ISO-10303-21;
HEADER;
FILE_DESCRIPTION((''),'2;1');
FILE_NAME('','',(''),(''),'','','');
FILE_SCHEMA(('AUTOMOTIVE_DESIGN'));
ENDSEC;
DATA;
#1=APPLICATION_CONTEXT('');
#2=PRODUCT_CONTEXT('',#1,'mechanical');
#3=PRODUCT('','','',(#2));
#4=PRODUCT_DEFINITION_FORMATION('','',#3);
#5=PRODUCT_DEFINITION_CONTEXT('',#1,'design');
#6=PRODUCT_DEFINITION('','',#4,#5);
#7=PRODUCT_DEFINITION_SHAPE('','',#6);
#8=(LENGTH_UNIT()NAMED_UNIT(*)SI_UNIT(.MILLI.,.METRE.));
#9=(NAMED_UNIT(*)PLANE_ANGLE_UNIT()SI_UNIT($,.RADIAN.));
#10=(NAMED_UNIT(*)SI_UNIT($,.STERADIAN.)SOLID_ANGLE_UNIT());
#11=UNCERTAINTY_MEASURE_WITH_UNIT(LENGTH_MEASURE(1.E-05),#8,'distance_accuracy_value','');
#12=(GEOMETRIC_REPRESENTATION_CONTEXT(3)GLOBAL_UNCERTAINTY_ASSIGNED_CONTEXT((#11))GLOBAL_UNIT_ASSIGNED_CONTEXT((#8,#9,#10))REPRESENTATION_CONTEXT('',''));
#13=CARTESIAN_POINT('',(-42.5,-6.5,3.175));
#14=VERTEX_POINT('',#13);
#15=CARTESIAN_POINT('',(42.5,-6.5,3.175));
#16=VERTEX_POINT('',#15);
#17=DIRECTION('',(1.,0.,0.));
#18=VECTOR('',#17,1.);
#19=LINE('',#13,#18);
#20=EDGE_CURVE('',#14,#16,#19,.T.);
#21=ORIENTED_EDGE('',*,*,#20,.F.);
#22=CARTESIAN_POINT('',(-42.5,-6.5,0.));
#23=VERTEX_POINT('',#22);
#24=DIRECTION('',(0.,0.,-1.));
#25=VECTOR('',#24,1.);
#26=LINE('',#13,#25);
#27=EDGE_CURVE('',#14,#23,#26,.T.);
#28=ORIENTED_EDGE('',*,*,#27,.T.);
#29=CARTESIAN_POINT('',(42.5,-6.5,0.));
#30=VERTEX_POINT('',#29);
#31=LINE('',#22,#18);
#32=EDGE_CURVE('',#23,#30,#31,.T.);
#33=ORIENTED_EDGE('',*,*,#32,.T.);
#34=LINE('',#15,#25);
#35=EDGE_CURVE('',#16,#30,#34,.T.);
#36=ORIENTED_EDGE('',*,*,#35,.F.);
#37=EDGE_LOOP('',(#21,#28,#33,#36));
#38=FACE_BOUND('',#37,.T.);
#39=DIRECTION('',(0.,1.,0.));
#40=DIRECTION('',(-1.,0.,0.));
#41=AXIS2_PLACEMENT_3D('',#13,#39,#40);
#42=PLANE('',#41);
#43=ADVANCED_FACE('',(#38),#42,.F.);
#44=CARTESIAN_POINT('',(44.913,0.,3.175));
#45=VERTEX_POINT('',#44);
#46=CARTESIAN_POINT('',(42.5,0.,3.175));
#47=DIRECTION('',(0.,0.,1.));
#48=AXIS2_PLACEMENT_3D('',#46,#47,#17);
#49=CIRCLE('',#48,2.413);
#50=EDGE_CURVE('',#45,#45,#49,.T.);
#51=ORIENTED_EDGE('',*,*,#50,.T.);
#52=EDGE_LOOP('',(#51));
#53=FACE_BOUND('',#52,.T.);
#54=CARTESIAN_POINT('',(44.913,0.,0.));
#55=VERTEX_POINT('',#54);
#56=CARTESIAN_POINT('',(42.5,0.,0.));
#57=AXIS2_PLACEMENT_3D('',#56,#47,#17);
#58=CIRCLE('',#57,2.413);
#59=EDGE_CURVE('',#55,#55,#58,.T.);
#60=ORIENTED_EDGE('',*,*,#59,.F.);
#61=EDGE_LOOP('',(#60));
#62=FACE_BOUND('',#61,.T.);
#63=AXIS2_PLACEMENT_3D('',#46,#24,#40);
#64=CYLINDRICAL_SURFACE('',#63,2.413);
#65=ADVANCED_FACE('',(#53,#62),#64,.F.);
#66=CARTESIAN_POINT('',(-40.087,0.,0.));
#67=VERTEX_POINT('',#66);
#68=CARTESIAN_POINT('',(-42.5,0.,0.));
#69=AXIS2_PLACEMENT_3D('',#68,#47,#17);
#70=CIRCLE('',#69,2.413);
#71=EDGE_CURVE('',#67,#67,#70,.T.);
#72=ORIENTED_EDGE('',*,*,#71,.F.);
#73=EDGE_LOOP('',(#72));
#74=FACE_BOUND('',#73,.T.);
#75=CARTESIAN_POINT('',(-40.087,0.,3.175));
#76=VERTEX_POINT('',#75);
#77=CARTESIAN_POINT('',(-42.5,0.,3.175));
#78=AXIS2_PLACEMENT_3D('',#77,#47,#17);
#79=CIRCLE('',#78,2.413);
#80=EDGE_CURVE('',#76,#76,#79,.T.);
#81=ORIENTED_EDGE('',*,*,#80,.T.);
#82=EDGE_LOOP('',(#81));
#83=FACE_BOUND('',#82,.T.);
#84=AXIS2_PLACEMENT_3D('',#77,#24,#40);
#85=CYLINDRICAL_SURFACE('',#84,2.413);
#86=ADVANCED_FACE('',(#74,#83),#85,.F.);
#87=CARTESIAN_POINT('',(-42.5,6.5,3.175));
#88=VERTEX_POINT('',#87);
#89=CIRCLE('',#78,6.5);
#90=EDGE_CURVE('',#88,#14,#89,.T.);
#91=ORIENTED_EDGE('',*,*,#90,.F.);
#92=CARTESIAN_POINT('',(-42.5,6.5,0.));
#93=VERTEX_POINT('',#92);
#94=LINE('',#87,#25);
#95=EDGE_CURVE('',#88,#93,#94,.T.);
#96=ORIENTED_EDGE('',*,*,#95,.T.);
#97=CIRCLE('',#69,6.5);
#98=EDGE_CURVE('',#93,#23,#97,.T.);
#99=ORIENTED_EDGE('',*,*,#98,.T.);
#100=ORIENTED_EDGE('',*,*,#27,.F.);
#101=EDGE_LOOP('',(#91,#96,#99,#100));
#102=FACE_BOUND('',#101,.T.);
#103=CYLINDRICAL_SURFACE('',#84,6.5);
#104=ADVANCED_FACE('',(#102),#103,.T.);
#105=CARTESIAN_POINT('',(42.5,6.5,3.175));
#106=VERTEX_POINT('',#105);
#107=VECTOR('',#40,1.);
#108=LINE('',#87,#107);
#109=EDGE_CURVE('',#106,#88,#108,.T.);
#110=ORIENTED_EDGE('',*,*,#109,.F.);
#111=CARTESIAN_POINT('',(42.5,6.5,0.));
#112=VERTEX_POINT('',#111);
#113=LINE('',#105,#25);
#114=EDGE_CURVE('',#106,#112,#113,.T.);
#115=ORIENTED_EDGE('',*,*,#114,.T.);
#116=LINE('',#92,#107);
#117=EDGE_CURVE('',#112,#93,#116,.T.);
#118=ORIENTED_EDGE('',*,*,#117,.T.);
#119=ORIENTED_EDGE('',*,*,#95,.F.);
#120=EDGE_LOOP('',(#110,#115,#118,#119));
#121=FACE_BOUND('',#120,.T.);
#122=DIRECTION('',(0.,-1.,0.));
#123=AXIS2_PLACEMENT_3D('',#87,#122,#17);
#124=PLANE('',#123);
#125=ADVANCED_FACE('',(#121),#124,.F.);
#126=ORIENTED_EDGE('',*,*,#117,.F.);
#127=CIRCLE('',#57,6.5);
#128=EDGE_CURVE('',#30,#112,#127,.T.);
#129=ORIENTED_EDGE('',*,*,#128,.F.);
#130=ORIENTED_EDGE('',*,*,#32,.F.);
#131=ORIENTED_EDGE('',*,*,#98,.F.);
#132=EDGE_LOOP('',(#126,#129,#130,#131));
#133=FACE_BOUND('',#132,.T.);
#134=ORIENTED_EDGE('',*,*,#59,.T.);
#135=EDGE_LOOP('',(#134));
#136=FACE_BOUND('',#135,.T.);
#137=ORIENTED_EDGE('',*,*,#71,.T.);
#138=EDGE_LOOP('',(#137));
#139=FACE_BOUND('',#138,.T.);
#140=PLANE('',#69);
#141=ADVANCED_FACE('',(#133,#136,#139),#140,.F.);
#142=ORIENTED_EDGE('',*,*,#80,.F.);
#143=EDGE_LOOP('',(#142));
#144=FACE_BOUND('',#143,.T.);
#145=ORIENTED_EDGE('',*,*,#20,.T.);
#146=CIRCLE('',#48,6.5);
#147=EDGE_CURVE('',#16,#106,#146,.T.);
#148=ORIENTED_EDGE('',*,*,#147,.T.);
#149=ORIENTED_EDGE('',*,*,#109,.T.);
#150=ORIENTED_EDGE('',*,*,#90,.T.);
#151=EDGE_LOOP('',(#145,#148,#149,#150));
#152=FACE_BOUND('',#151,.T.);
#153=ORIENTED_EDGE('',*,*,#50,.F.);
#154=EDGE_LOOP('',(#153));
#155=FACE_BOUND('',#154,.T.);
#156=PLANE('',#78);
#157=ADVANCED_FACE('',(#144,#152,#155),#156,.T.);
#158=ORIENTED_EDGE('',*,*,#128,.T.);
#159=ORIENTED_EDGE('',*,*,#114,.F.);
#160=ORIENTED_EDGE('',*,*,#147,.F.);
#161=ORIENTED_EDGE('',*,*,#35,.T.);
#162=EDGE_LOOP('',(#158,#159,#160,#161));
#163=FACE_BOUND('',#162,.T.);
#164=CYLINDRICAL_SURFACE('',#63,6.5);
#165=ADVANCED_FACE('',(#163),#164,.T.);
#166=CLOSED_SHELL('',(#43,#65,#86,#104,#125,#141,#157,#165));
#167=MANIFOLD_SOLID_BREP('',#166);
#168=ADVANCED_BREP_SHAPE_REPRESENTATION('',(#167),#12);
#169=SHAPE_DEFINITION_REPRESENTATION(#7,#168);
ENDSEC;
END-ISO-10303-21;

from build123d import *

# Parameters (mm, degrees)
SKETCH1_R           = 2.413
BOSS_EXTRUDE1_DEPTH = 3.175


with BuildPart() as part:
    # Sketch1 → Boss-Extrude1 (new body)
    with BuildSketch(Plane.XY):
        with BuildLine():
            Line((-42.5, 6.5), (42.5, 6.5))
            ThreePointArc((42.5, 6.5), (49, 0), (42.5, -6.5))
            Line((42.5, -6.5), (-42.5, -6.5))
            ThreePointArc((-42.5, -6.5), (-49, 0), (-42.5, 6.5))
        make_face()
        with Locations((-42.5, 0)):
            Circle(SKETCH1_R, mode=Mode.SUBTRACT)
        with Locations((42.5, 0)):
            Circle(SKETCH1_R, mode=Mode.SUBTRACT)
    extrude(amount=BOSS_EXTRUDE1_DEPTH)


solid = part.part
